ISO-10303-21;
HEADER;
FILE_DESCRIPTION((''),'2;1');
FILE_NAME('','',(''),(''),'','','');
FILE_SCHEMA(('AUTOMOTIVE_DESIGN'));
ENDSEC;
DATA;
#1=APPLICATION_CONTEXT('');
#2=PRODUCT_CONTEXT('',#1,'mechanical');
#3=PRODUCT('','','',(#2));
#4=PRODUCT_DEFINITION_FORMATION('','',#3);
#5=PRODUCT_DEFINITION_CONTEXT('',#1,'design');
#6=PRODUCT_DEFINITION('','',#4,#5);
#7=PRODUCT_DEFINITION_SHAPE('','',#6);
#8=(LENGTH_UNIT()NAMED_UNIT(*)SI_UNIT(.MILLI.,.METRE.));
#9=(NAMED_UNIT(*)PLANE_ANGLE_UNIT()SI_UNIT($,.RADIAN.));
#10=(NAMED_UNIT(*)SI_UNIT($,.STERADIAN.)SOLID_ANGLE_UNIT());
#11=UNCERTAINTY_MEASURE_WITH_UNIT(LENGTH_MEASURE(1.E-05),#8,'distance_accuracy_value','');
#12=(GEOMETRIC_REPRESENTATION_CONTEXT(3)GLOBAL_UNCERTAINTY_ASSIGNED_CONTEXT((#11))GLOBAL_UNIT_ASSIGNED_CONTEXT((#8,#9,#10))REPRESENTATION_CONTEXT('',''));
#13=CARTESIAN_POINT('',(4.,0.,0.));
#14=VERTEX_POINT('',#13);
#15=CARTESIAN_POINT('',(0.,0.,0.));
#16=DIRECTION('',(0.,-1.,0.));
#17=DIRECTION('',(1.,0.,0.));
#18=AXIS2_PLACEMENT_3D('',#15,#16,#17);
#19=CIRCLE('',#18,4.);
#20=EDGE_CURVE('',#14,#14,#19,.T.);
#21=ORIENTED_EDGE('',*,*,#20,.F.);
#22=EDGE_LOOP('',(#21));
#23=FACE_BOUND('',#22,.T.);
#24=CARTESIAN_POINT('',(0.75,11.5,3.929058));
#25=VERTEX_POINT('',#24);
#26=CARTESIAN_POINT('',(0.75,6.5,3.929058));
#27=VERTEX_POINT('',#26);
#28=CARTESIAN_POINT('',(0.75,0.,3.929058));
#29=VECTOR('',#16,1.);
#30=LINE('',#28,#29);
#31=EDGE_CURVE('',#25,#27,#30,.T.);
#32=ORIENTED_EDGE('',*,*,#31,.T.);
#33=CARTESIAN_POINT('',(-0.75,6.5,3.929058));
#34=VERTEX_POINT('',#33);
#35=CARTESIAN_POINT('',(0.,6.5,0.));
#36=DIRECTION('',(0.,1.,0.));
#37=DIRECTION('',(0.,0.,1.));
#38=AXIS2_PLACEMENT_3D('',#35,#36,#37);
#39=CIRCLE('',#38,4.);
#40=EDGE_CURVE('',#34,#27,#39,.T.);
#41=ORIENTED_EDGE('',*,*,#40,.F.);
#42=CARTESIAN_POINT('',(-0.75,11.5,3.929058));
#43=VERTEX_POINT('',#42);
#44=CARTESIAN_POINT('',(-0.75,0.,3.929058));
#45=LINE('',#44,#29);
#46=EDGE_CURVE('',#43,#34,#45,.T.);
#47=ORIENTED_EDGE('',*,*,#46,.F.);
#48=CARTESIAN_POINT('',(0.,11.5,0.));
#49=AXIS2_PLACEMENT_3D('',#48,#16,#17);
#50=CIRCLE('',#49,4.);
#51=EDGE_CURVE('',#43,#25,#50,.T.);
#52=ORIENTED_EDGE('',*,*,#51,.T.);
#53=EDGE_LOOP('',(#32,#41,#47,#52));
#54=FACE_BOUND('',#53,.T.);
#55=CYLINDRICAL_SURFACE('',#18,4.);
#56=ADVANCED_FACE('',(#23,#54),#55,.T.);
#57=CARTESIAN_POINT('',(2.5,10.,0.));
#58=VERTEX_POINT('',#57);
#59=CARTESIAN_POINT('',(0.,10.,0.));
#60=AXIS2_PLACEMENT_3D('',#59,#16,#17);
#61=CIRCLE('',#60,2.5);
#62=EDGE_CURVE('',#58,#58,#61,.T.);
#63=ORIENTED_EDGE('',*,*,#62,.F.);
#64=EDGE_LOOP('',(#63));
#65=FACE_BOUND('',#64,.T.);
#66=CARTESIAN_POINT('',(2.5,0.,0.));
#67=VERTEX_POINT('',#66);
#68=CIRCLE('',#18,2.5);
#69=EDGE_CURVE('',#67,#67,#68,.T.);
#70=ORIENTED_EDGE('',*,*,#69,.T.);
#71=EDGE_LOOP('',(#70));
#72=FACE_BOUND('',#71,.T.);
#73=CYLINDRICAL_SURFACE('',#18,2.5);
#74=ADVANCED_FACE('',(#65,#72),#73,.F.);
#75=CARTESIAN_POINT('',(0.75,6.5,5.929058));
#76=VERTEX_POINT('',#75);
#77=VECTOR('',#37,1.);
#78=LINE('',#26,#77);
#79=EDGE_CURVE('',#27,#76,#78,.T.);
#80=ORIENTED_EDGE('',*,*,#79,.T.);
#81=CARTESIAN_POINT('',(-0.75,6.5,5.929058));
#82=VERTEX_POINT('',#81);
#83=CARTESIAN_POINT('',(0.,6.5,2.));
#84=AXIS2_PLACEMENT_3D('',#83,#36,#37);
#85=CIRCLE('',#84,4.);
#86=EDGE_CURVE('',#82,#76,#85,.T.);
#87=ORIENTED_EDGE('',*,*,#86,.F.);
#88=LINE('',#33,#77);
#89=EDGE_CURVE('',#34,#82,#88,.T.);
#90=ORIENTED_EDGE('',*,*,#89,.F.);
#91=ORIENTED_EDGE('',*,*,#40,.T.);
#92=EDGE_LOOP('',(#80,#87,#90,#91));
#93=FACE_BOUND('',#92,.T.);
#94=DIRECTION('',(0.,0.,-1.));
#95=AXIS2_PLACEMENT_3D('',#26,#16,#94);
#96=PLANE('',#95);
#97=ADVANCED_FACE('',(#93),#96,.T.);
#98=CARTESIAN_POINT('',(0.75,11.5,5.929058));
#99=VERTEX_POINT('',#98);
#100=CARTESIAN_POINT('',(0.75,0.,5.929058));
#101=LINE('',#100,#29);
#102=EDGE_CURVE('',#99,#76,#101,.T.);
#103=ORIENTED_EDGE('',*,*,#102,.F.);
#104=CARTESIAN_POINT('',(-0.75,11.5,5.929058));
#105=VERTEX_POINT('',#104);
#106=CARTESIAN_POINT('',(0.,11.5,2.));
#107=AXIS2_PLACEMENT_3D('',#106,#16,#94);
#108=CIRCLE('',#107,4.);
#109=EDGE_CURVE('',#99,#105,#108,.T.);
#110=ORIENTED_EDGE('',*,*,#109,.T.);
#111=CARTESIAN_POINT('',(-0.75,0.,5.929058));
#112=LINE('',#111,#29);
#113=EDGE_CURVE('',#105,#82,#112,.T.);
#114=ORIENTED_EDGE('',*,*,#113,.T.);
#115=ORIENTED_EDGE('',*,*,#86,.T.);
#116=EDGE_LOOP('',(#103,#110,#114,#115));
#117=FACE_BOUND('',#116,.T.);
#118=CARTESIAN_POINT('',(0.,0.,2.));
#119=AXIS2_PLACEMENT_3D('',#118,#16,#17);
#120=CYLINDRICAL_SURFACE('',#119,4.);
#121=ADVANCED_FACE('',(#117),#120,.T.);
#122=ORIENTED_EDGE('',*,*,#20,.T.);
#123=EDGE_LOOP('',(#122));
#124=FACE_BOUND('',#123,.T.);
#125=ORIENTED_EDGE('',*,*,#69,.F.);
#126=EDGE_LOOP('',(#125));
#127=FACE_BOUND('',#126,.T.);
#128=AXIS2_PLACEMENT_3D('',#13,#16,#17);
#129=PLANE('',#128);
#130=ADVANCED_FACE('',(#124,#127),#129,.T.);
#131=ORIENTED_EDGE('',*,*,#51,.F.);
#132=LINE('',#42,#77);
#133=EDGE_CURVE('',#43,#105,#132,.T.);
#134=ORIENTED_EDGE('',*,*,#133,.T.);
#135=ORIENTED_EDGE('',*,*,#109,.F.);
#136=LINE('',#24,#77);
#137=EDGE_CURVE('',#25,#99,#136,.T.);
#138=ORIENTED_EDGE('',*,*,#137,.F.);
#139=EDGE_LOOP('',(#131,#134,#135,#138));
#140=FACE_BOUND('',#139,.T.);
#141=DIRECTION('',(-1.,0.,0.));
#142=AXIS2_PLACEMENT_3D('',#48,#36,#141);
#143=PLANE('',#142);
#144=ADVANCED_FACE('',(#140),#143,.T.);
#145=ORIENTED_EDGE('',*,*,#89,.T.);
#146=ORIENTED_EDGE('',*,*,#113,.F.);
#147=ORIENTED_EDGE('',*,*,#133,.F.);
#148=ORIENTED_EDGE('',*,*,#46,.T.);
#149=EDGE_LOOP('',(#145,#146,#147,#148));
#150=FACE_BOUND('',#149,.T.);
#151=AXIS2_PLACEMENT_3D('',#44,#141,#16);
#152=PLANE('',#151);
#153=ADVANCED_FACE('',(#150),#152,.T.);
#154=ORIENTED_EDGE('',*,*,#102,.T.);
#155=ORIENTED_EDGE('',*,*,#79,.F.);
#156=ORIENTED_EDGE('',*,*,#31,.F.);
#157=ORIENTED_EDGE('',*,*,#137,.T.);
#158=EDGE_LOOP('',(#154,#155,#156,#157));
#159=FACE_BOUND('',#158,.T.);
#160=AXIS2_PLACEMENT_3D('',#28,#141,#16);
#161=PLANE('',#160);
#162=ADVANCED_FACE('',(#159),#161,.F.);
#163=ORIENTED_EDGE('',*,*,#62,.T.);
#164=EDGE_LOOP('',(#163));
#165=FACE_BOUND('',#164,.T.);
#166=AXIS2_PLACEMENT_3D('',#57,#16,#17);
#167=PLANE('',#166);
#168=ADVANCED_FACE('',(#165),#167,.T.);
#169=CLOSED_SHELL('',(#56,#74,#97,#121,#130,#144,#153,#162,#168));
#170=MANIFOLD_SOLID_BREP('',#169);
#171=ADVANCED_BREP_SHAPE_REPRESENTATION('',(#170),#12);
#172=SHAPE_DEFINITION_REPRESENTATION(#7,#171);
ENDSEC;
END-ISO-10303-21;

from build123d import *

# Parameters (mm, degrees)
BOSS_EXTRU_1_REACH        = 16.816
BOSS_EXTRU_1_START_RADIUS = 4
BOSS_EXTRU_1_END_RADIUS   = 4
ESQUISSE2_W               = 1.5
ESQUISSE2_H               = 5


with BuildPart() as part:
    # Esquisse1 → Révolution1 (revolve)
    with BuildSketch(Plane.XY):
        Polygon((2.5, 0), (2.5, 10), (0, 10), (0, 11.5), (4, 11.5), (4, 0), align=None)
    revolve(axis=Axis((0, 0, 0), (0, 1, 0)))

    # Boss.-Extru.1: from a cylinder face, 16.816 long prism both ways, kept between that surface and its translate by the depth
    boss_extru_1_start = Plane(origin=(0, 9, 0), z_dir=(0, -1, 0)) * Cylinder(BOSS_EXTRU_1_START_RADIUS, 42.632, mode=Mode.PRIVATE)
    boss_extru_1_end = Plane(origin=(0, 9, 2), z_dir=(0, -1, 0)) * Cylinder(BOSS_EXTRU_1_END_RADIUS, 42.632, mode=Mode.PRIVATE)
    # Esquisse2 → Boss.-Extru.1 (add, from a surface)
    with BuildSketch(Plane.XY, mode=Mode.PRIVATE) as boss_extru_1_sk1:
        with Locations((0, 9)):
            Rectangle(ESQUISSE2_W, ESQUISSE2_H)
    boss_extru_1_tool1 = extrude(boss_extru_1_sk1.sketch, amount=BOSS_EXTRU_1_REACH, both=True, mode=Mode.PRIVATE)
    add(((boss_extru_1_tool1 - boss_extru_1_start) & boss_extru_1_end).solids().sort_by_distance((0, 9, 4.929058))[0])


solid = part.part
